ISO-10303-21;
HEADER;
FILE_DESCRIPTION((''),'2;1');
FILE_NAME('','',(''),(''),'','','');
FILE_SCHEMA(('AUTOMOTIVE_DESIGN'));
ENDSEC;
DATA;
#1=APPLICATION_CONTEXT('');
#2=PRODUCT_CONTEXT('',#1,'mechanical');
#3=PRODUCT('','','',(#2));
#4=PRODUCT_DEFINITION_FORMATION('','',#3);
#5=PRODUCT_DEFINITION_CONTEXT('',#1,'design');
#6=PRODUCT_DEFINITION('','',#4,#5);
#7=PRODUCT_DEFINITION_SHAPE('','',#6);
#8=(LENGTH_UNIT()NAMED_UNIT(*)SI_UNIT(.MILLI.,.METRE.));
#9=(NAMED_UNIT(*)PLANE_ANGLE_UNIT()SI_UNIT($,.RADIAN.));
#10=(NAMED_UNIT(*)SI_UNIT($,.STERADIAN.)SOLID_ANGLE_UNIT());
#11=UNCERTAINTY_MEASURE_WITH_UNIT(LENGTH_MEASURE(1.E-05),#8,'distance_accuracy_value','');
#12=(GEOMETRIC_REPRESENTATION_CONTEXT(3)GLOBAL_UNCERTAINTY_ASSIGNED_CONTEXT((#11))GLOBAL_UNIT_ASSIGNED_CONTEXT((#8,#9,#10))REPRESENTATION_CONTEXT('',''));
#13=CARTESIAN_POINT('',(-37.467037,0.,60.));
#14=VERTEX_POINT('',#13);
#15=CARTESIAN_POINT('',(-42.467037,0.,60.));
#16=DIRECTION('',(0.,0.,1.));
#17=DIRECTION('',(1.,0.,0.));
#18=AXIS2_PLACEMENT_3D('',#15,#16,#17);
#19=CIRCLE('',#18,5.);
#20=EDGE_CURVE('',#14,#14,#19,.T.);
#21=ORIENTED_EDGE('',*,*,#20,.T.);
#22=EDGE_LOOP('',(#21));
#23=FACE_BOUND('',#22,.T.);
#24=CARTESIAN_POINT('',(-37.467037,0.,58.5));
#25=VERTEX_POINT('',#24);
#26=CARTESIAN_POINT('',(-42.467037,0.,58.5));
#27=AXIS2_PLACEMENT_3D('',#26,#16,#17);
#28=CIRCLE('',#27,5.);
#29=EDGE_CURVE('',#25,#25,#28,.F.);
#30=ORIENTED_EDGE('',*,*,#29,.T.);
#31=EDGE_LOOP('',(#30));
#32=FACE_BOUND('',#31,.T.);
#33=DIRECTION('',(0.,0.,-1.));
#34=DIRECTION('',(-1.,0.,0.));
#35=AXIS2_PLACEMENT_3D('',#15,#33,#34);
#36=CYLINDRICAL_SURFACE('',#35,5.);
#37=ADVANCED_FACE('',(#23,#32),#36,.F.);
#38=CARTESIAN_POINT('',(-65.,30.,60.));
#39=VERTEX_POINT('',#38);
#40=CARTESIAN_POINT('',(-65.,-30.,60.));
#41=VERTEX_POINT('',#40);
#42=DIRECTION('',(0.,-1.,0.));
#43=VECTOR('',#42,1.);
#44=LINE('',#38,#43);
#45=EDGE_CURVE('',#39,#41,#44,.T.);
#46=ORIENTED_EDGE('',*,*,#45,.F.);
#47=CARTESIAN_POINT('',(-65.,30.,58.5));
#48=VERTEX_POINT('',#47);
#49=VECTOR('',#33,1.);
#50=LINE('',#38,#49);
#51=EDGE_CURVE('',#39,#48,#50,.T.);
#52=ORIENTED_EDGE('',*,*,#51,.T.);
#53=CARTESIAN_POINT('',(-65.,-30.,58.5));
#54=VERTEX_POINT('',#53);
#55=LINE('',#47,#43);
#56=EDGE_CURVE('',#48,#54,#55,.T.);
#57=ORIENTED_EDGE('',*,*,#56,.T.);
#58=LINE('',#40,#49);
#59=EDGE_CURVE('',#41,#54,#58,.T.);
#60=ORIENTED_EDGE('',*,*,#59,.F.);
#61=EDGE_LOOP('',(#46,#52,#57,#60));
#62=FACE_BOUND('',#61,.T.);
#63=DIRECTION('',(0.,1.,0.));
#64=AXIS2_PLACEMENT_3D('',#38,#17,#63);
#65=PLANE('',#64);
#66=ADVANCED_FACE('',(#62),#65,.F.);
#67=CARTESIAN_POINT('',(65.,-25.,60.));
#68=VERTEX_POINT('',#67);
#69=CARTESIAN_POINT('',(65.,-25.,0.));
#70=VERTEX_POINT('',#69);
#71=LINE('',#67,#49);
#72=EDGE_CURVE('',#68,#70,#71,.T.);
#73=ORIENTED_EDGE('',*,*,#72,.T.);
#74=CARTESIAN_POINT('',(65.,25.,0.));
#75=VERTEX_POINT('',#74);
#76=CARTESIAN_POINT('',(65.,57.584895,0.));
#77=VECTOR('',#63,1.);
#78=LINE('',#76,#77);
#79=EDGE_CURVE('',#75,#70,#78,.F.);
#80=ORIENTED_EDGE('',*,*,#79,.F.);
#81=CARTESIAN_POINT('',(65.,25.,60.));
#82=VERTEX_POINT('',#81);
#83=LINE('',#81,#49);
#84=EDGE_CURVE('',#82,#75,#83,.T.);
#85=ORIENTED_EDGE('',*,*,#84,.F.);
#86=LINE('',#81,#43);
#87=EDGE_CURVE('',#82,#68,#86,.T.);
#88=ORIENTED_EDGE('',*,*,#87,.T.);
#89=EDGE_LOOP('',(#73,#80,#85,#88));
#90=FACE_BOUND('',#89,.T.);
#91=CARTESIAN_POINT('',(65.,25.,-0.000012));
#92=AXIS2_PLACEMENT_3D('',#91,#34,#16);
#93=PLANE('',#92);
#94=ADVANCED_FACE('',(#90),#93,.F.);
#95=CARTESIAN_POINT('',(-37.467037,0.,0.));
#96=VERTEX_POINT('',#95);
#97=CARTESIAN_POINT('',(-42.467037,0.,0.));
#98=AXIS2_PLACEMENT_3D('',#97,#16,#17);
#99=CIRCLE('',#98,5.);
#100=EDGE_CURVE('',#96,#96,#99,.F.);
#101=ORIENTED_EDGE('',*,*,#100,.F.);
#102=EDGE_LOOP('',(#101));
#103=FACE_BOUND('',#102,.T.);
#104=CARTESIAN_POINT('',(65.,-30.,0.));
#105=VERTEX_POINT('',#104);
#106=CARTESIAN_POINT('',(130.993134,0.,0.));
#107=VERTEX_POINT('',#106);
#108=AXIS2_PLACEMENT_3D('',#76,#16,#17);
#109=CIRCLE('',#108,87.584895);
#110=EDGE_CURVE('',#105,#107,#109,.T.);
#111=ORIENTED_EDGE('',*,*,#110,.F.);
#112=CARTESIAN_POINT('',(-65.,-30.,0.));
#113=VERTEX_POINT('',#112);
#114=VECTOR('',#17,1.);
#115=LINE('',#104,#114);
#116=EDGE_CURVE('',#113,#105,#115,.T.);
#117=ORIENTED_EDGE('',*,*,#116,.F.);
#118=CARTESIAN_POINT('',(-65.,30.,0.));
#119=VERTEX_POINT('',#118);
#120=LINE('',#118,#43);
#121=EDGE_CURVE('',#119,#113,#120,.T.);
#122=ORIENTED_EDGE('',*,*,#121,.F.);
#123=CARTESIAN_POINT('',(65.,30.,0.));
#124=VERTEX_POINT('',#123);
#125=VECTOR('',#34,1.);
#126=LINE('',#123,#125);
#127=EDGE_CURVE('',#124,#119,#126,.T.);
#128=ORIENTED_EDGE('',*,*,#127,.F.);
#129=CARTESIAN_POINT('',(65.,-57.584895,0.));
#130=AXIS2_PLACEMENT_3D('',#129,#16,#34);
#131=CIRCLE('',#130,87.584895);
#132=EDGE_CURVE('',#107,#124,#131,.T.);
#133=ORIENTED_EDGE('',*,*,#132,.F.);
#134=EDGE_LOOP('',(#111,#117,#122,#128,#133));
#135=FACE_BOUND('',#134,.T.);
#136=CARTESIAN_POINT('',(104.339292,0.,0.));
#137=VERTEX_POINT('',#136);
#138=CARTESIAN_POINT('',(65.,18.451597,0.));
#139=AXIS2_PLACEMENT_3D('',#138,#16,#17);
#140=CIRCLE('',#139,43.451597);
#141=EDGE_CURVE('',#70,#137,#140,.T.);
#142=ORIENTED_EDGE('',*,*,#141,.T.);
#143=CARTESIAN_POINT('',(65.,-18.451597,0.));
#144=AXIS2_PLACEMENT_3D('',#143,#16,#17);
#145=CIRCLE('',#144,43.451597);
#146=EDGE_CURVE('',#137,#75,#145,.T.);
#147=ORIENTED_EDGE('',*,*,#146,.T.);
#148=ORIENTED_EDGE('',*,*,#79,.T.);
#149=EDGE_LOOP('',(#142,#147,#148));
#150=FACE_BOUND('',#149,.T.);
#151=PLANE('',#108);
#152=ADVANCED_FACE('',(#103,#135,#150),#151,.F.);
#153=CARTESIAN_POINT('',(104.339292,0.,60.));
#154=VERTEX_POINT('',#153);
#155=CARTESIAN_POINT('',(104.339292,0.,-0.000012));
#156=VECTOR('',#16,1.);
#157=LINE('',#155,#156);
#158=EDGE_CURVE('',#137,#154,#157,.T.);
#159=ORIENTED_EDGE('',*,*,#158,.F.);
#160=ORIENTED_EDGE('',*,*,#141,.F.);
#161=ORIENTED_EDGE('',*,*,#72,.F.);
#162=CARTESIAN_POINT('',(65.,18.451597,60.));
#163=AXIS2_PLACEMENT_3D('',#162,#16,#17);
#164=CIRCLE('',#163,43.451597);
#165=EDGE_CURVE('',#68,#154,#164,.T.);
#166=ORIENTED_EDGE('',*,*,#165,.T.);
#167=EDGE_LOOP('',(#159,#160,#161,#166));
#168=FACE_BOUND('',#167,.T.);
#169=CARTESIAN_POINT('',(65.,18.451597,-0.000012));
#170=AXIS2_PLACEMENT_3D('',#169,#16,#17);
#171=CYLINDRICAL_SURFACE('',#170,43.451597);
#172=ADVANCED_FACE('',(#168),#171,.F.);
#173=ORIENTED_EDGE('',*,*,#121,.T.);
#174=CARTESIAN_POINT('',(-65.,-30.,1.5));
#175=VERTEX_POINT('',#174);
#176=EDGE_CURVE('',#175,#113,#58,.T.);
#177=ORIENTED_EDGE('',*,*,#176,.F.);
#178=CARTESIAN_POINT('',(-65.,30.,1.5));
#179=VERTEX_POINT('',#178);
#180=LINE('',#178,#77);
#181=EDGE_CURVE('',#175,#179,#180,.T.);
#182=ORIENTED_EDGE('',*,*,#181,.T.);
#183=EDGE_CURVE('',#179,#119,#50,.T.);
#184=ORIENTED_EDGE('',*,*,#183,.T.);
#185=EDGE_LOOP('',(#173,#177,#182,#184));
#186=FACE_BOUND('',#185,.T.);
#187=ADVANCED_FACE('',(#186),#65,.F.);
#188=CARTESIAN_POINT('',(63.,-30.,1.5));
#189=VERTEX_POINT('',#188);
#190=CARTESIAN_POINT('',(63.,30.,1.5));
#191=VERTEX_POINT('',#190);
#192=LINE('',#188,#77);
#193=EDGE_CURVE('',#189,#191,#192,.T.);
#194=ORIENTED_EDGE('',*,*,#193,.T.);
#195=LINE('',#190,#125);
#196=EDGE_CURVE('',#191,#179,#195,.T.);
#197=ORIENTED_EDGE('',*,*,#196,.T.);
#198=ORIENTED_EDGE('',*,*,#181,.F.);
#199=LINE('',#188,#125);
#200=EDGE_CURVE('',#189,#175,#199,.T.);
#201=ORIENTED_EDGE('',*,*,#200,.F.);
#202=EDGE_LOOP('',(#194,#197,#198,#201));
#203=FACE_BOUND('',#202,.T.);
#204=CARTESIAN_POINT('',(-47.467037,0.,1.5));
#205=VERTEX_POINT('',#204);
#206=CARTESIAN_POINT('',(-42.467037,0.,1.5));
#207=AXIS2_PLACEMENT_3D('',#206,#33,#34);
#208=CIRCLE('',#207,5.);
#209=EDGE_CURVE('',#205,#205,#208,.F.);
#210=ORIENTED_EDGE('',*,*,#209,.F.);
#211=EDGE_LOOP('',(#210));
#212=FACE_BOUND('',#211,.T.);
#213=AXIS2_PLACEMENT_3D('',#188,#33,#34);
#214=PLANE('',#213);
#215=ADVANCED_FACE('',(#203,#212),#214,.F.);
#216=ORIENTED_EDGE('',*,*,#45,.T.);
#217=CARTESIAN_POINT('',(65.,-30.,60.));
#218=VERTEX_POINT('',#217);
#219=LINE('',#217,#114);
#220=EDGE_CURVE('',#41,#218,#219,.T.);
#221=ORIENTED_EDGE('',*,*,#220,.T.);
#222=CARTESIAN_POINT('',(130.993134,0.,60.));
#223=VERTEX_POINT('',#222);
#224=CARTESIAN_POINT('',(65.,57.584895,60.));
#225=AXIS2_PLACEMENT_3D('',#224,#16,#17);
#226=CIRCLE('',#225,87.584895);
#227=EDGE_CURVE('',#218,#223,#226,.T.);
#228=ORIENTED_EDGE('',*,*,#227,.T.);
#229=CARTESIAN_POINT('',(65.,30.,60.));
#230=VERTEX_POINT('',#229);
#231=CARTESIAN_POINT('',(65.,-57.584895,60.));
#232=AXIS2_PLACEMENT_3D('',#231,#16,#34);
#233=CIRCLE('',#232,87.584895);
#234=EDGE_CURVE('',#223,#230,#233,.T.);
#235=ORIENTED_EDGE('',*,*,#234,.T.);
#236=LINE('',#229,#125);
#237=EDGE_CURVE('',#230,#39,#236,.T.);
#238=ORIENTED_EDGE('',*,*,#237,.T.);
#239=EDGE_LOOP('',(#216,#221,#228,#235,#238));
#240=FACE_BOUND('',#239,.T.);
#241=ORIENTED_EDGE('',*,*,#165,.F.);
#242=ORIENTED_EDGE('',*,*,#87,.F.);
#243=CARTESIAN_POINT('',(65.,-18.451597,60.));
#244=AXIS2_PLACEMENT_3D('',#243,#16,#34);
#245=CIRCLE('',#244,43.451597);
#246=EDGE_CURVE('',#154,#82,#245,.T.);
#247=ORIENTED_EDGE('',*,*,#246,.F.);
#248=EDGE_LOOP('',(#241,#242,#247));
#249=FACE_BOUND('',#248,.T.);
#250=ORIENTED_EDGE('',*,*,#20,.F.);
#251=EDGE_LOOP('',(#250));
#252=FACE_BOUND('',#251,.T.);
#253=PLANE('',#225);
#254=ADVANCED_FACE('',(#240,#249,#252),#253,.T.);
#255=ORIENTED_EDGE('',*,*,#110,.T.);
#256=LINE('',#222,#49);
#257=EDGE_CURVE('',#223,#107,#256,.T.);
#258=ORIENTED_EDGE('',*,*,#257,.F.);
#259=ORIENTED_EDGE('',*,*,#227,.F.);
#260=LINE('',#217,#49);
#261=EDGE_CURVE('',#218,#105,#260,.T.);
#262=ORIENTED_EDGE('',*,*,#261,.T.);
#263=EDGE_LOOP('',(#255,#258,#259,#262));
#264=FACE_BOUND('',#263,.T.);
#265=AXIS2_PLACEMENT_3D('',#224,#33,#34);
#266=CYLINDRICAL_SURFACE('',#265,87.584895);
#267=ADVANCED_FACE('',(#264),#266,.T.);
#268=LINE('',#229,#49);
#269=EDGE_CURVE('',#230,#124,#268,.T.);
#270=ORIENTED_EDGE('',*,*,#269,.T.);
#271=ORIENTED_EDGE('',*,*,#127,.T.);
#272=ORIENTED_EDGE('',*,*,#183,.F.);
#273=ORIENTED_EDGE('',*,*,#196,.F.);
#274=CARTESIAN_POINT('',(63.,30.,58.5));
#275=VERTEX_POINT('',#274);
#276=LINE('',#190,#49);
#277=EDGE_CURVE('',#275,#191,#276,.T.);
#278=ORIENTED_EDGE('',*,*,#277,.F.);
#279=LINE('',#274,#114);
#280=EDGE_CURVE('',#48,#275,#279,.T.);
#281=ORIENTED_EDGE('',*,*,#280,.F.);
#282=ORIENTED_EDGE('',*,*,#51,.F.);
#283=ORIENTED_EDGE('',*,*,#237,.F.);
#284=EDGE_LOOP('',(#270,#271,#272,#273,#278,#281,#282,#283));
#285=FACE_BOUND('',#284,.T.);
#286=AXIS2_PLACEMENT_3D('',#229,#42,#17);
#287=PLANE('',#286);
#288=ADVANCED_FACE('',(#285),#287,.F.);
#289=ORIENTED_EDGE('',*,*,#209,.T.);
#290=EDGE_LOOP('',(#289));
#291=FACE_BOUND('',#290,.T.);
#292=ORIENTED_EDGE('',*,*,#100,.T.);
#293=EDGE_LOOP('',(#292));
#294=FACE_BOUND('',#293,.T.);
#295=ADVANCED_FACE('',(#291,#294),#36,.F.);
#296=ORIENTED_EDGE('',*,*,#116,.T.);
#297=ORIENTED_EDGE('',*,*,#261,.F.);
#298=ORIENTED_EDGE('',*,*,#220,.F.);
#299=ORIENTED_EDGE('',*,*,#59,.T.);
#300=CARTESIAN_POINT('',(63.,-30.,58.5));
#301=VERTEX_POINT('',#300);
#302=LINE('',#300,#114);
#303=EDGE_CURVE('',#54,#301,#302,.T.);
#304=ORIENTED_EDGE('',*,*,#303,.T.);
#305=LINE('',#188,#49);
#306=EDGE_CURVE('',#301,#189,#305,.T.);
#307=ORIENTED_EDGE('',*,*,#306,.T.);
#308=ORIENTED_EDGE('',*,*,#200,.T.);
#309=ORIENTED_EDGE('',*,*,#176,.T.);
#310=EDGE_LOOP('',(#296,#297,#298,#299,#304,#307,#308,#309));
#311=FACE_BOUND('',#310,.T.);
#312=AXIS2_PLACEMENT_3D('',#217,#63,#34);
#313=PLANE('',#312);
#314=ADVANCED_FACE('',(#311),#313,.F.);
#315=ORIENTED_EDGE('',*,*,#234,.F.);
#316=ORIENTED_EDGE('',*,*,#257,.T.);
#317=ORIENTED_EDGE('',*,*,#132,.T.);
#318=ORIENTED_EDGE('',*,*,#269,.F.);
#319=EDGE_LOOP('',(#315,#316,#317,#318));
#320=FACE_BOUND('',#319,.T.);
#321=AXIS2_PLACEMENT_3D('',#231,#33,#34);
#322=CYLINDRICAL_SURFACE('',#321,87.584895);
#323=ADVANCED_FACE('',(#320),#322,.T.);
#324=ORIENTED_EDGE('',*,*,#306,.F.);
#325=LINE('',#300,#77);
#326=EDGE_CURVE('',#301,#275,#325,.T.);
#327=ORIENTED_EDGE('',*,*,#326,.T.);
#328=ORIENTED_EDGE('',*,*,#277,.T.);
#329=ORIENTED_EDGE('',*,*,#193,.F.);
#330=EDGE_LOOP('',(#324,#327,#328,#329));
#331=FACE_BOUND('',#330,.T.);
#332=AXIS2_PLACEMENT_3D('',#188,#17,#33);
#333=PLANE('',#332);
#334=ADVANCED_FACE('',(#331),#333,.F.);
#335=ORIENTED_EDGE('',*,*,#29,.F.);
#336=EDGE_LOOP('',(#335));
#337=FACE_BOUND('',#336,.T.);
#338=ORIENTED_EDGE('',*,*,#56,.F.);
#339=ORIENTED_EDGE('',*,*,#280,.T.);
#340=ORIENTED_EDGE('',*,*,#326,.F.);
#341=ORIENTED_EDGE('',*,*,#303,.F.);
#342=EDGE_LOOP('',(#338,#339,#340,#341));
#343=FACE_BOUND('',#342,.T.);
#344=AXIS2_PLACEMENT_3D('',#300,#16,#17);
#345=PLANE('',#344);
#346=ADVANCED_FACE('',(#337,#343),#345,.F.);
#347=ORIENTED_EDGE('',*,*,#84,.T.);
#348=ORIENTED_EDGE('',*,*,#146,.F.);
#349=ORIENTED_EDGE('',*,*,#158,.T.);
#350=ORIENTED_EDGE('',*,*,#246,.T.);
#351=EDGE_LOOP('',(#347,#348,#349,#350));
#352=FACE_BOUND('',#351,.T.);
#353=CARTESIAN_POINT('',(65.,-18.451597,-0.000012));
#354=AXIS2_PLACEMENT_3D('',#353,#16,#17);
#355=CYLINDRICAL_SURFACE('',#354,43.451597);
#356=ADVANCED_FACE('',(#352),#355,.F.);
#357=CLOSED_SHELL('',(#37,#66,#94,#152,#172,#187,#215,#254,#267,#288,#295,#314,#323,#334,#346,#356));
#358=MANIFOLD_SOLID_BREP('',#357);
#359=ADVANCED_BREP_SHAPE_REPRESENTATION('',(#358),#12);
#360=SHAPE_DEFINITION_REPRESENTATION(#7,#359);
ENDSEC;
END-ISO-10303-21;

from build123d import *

# Parameters (mm, degrees)
RESSALTO_EXTRUS_O1_DEPTH   = 60
CORTE_EXTRUS_O1_DEPTH      = 148.170653102
CORTE_EXTRUS_O1_DEPTH_BACK = 148.170653102
CORTE_EXTRUS_O2_DEPTH      = 148.170653102
CORTE_EXTRUS_O2_DEPTH_BACK = 148.170653102
ESBO_O5_W                  = 126
ESBO_O5_H                  = 57
ESBO_O6_W                  = 57
ESBO_O6_H                  = 60
CORTE_EXTRUS_O3_DEPTH      = 57
CORTE_EXTRUS_O4_DEPTH      = 148.170653102
CORTE_EXTRUS_O4_DEPTH_BACK = 57
ESBO_O7_R                  = 5


with BuildPart() as part:
    # Esboço1 → Ressalto-extrusão1 (new body)
    with BuildSketch(Plane.XY):
        with BuildLine():
            Line((65, 30), (-65, 30))
            Line((-65, 30), (-65, -30))
            Line((-65, -30), (65, -30))
            ThreePointArc((65, -30), (101.246012625, -22.148036763), (130.993133921, 0))
            ThreePointArc((130.993133921, 0), (101.246012625, 22.148036763), (65, 30))
        make_face()
    extrude(amount=RESSALTO_EXTRUS_O1_DEPTH)

    # Esboço3 → Corte-extrusão1 (cut, two sides: drawn at the far end of the back side and taken through both)
    with BuildSketch(Plane.XY.offset(-CORTE_EXTRUS_O1_DEPTH_BACK)):
        with BuildLine():
            Line((65, 25), (65, -25))
            ThreePointArc((65, -25), (88.305470739, -18.221231084), (104.339291624, 0))
            ThreePointArc((104.339291624, 0), (88.305470739, 18.221231084), (65, 25))
        make_face()
    extrude(amount=CORTE_EXTRUS_O1_DEPTH + CORTE_EXTRUS_O1_DEPTH_BACK, mode=Mode.SUBTRACT)

    # Esboço5 → Corte-extrusão2 (cut, two sides: drawn at the far end of the back side and taken through both)
    with BuildSketch(Plane(origin=(0, 0, 0), x_dir=(1, 0, 0), z_dir=(0, 1, 0)).offset(-CORTE_EXTRUS_O2_DEPTH_BACK)):
        with Locations((0, -30)):
            Rectangle(ESBO_O5_W, ESBO_O5_H)
    extrude(amount=CORTE_EXTRUS_O2_DEPTH + CORTE_EXTRUS_O2_DEPTH_BACK, mode=Mode.SUBTRACT)

    # Esboço6 → Corte-extrusão3 (cut)
    with BuildSketch(Plane(origin=(-63, 0, 0), x_dir=(0, 0, -1), z_dir=(1, 0, 0))):
        with Locations((-30, 0)):
            Rectangle(ESBO_O6_W, ESBO_O6_H)
    extrude(amount=-CORTE_EXTRUS_O3_DEPTH, mode=Mode.SUBTRACT)

    # Esboço7 → Corte-extrusão4 (cut, two sides: drawn at the far end of the back side and taken through both)
    with BuildSketch(Plane.XY.offset(-CORTE_EXTRUS_O4_DEPTH_BACK)):
        with Locations((-42.467037106, 0)):
            Circle(ESBO_O7_R)
    extrude(amount=CORTE_EXTRUS_O4_DEPTH + CORTE_EXTRUS_O4_DEPTH_BACK, mode=Mode.SUBTRACT)


solid = part.part
